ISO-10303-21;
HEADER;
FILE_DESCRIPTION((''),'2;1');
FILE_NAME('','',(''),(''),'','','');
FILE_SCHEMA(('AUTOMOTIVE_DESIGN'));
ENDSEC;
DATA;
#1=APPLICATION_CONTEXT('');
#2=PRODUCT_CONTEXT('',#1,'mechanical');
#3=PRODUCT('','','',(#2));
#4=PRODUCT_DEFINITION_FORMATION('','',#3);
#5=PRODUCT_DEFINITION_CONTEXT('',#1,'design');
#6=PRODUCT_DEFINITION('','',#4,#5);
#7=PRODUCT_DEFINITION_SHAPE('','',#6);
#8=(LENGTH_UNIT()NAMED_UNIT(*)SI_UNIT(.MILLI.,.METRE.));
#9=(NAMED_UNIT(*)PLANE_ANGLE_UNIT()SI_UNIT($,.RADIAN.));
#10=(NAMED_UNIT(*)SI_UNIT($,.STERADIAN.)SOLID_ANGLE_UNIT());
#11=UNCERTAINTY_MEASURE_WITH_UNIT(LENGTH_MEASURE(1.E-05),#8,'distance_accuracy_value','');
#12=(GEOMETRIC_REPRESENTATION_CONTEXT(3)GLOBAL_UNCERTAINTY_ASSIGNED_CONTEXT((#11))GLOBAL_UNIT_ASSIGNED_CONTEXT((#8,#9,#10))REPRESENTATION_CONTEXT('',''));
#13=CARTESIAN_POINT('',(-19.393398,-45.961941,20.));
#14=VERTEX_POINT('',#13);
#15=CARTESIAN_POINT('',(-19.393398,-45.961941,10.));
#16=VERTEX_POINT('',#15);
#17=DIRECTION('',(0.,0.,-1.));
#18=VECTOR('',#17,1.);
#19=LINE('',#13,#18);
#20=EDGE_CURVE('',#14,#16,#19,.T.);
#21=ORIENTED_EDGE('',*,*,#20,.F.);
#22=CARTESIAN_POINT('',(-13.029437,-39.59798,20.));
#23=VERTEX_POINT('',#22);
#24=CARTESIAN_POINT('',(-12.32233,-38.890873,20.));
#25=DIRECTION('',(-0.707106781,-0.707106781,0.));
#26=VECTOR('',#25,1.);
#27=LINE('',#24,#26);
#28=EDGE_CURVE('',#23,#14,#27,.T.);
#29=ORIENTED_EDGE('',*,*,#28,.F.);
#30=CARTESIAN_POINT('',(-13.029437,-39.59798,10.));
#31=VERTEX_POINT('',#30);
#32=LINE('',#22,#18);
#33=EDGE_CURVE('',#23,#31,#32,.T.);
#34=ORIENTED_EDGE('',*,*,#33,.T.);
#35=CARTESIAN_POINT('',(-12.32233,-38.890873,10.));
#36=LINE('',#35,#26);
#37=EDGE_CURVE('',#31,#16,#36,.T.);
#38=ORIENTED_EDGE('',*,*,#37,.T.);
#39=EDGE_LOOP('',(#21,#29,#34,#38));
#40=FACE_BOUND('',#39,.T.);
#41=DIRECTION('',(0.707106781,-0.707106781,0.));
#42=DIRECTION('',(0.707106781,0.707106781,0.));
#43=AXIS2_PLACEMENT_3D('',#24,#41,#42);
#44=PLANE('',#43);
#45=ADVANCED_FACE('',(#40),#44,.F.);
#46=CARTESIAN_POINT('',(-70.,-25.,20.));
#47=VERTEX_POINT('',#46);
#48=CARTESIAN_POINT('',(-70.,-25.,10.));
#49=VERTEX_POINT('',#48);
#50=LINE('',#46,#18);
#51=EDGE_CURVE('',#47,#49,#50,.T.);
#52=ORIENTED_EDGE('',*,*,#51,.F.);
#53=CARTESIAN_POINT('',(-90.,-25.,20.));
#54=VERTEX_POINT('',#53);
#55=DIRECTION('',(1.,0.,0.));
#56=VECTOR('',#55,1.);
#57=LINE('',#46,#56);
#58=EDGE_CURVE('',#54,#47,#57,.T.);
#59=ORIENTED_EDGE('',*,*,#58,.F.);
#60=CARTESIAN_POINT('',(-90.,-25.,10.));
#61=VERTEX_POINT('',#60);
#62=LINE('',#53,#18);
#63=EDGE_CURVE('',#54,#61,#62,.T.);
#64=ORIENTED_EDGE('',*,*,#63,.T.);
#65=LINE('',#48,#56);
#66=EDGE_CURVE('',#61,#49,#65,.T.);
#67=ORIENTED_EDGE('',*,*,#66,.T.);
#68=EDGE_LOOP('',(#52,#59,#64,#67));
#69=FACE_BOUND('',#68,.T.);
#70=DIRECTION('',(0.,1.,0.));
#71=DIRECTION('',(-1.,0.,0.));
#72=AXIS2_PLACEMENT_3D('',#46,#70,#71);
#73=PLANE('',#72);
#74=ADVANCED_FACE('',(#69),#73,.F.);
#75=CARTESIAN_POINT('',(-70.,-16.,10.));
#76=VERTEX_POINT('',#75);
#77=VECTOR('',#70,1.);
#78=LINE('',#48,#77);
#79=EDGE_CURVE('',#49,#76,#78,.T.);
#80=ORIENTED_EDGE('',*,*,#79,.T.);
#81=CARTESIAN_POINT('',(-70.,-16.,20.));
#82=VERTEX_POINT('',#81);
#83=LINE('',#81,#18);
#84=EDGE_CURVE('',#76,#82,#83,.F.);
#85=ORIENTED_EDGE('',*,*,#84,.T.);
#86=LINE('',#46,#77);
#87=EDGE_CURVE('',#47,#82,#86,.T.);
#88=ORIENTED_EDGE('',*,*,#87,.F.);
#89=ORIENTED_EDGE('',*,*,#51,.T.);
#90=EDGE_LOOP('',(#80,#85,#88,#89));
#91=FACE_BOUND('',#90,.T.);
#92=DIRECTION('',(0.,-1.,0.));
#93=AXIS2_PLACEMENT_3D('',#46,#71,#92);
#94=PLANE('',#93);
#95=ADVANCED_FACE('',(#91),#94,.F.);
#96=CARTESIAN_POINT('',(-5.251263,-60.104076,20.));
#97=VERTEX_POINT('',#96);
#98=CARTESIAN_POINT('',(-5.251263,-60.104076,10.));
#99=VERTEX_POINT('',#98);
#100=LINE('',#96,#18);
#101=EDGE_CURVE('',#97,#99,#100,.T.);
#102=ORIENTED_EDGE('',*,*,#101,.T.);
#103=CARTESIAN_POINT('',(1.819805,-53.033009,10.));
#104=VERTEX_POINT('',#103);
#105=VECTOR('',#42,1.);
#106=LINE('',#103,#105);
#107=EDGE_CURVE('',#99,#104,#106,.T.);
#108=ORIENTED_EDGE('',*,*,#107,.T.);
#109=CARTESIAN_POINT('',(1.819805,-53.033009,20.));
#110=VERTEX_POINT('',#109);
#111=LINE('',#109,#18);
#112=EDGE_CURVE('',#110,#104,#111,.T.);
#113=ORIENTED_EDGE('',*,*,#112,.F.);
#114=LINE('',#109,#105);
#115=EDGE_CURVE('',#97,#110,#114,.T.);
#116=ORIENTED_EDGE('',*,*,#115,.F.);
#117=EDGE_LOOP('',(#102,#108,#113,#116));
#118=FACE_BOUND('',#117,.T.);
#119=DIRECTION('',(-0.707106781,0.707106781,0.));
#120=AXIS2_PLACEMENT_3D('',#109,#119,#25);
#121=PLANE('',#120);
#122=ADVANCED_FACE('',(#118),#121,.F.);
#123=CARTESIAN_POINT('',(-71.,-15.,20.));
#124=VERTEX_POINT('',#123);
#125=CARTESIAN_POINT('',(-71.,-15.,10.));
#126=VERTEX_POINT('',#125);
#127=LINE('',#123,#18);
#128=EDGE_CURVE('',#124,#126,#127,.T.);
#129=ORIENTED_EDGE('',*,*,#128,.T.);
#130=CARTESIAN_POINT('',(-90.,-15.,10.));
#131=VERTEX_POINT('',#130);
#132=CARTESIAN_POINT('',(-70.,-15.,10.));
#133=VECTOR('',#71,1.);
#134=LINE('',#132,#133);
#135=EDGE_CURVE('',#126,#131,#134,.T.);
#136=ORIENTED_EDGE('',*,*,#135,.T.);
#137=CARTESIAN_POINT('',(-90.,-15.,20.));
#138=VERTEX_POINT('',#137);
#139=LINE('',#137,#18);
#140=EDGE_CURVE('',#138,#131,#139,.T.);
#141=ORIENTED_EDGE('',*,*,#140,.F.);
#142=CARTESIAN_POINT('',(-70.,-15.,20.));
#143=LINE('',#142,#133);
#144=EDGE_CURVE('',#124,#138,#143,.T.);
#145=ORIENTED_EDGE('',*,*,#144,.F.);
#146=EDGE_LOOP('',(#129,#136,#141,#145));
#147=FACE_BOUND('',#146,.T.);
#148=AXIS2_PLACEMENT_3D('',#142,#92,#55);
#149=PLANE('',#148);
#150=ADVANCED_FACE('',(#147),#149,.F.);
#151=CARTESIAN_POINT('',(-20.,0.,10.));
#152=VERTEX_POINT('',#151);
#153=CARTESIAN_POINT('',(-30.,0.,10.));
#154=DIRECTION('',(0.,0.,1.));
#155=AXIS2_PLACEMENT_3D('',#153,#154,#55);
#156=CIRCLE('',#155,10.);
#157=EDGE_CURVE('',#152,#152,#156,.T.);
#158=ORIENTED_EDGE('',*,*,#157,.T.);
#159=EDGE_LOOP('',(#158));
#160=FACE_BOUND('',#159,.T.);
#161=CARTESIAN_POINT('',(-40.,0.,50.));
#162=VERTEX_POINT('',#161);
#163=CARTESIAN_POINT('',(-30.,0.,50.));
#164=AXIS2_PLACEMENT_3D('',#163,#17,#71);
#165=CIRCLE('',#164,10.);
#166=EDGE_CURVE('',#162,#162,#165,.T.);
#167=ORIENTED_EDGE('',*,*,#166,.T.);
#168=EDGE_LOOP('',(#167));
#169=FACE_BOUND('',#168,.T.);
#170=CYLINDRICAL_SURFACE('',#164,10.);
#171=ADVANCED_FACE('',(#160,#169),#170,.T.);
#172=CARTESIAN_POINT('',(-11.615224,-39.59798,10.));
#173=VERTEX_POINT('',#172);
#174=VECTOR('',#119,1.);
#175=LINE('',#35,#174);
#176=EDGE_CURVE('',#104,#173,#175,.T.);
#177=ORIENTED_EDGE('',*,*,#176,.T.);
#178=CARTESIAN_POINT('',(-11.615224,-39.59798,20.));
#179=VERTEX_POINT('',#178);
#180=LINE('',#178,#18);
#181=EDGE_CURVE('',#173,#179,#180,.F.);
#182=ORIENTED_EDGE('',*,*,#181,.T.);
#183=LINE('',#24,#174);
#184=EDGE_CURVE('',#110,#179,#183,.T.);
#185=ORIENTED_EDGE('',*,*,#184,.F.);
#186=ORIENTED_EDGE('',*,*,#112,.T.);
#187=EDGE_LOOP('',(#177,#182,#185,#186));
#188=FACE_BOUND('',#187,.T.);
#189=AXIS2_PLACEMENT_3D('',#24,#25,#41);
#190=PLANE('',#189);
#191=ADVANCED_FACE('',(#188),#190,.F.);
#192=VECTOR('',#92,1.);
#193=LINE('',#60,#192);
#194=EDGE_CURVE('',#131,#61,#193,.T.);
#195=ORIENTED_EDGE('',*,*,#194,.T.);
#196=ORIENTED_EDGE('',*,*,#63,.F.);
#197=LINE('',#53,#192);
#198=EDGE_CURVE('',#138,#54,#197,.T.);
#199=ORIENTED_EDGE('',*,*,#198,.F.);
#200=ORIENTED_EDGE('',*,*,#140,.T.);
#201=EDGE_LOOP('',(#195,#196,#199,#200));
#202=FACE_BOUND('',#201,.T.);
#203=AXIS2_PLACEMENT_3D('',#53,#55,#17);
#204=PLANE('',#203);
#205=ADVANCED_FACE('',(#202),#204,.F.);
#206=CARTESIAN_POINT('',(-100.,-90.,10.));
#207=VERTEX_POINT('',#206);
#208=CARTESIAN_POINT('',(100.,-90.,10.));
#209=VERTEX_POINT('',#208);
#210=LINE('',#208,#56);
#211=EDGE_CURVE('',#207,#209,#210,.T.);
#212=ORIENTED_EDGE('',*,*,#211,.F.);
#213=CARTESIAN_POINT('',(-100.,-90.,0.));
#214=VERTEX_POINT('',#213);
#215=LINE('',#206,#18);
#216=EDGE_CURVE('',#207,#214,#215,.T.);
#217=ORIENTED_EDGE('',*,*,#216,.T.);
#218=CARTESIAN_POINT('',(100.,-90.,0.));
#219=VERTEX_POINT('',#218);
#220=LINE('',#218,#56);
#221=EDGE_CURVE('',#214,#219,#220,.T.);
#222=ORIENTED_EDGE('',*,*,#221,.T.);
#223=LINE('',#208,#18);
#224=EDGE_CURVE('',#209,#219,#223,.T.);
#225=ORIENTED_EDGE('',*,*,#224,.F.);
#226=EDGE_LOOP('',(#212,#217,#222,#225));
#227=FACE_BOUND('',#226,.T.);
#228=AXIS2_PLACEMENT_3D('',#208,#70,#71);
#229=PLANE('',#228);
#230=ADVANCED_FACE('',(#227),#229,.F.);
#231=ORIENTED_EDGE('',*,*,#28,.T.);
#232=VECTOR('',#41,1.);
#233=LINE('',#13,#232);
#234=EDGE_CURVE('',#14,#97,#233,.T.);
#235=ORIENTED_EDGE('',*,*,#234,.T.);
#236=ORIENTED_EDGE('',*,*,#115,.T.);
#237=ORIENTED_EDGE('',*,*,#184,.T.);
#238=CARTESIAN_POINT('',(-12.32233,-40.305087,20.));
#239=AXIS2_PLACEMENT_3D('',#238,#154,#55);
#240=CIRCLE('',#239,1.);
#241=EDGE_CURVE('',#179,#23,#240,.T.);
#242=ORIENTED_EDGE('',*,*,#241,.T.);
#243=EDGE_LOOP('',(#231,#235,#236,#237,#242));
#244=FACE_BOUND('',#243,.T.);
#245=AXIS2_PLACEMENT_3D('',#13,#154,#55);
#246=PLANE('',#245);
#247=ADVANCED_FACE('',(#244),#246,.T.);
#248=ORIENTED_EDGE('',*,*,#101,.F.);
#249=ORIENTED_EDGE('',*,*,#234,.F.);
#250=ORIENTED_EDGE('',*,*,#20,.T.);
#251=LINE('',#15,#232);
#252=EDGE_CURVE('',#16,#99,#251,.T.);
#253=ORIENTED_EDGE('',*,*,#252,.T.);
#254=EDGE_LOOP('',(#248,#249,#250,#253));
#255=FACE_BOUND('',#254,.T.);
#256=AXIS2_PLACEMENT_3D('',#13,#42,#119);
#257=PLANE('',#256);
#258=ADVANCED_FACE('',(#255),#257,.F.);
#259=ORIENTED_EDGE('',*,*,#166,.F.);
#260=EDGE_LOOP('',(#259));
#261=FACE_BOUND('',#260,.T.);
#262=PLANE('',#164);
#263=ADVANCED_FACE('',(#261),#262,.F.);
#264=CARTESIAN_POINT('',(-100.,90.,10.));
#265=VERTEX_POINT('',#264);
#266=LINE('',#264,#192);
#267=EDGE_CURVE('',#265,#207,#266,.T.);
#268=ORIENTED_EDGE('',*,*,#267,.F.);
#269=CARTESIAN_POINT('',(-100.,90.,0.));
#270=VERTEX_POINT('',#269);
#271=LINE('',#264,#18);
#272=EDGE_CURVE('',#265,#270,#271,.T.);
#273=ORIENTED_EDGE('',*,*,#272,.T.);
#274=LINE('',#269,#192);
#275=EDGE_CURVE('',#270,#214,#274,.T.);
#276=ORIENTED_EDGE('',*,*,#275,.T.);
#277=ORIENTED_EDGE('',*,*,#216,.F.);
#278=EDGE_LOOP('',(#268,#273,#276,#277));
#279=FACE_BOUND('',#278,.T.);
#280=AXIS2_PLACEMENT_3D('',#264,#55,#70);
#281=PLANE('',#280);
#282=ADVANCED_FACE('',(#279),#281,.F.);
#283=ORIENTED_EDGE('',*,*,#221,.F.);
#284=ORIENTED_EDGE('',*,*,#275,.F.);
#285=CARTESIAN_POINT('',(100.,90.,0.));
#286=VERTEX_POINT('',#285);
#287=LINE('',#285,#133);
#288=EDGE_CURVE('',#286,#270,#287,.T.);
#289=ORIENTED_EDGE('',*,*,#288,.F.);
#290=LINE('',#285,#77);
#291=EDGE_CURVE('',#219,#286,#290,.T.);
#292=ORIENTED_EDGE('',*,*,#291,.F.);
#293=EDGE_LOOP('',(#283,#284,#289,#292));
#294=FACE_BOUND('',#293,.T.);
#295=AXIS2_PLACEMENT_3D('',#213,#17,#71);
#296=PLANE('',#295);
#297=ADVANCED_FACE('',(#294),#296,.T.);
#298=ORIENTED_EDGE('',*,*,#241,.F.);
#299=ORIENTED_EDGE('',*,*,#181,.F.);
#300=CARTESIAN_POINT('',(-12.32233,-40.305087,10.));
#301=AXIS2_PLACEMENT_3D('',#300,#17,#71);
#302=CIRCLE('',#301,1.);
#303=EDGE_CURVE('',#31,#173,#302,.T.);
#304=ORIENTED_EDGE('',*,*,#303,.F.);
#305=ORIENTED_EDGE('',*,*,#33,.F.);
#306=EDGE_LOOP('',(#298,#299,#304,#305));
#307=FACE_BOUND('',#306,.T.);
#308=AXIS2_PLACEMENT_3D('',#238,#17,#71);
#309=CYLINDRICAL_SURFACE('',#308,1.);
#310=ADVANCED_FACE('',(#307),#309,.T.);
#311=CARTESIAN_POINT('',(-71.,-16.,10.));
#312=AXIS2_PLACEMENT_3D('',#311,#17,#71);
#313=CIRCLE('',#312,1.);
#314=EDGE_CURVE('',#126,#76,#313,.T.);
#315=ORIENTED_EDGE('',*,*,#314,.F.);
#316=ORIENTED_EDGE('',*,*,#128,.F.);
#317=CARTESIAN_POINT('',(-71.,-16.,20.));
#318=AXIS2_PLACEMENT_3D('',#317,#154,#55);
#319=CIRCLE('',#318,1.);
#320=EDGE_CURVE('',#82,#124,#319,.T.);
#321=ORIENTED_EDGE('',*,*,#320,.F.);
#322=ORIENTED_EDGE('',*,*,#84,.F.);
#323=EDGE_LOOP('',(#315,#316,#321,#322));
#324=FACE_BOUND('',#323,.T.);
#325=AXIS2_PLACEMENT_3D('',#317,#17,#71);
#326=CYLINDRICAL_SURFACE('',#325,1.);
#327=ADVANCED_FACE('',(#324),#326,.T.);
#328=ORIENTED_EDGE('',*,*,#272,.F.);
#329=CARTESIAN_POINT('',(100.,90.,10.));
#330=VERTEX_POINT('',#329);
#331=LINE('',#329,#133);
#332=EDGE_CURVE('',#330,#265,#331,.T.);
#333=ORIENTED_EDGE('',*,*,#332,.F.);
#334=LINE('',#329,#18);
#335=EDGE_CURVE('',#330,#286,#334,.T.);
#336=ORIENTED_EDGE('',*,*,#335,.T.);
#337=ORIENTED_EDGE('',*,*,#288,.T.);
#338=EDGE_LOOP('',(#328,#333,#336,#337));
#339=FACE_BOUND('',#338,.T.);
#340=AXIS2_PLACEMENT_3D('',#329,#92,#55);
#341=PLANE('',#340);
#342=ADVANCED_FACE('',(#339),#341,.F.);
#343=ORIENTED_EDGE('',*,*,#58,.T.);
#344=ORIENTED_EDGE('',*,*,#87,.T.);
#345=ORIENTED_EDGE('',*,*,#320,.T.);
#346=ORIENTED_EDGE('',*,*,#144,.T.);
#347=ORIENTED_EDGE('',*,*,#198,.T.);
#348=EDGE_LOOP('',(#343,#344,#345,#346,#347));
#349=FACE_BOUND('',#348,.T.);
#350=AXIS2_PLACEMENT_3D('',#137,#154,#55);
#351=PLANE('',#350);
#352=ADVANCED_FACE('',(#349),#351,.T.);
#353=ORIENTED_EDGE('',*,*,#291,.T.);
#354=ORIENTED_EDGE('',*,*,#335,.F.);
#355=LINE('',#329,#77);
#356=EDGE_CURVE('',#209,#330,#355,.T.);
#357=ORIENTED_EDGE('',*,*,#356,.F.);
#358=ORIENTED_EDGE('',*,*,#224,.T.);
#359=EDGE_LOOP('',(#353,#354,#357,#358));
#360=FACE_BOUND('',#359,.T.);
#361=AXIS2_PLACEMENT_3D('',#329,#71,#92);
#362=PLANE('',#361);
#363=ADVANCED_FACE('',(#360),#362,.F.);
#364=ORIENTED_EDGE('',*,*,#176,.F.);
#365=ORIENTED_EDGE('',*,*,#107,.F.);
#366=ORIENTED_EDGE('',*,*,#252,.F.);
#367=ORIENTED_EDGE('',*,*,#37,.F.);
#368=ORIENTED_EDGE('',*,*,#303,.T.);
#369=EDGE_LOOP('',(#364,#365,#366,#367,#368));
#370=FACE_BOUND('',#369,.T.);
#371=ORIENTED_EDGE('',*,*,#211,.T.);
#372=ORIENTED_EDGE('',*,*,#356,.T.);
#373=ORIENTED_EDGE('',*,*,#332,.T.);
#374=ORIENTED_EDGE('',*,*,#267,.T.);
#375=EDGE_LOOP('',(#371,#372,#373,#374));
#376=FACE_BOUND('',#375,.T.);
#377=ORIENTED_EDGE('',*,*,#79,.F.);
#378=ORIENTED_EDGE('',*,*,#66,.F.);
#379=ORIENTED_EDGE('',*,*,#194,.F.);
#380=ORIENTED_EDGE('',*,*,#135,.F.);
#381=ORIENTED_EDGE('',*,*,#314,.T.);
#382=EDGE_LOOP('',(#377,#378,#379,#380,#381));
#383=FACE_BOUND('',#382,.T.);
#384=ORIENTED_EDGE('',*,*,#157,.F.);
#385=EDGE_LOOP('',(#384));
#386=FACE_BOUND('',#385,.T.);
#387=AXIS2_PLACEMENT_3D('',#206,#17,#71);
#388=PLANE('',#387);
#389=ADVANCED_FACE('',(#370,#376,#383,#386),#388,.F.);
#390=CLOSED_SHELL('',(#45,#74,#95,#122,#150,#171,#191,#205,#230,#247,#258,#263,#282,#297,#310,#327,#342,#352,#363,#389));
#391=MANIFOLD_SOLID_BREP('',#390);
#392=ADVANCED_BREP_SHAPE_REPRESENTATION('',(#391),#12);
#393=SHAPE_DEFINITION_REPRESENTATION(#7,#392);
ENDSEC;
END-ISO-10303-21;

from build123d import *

# Parameters (mm, degrees)
ESQUISSE1_W        = 200
ESQUISSE1_H        = 180
ESQUISSE1_R        = 10
BOSS_EXTRU_1_DEPTH = 10
ESQUISSE3_R        = 10
BOSS_EXTRU_2_DEPTH = 50
ESQUISSE4_W        = 20
ESQUISSE4_H        = 10
BOSS_EXTRU_3_DEPTH = 10
CONG_1_R           = 1


with BuildPart() as part:
    # Esquisse1 → Boss.-Extru.1 (new body)
    with BuildSketch(Plane.XY):
        Rectangle(ESQUISSE1_W, ESQUISSE1_H)
        with Locations((-30, 0)):
            Circle(ESQUISSE1_R, mode=Mode.SUBTRACT)
    extrude(amount=BOSS_EXTRU_1_DEPTH)

    # Esquisse3 → Boss.-Extru.2 (add)
    with BuildSketch(Plane(origin=(0, 0, 0), x_dir=(-1, 0, 0), z_dir=(0, 0, -1))):
        with Locations((30, 0)):
            Circle(ESQUISSE3_R)
    extrude(amount=-BOSS_EXTRU_2_DEPTH)

    # Esquisse4 → Boss.-Extru.3 (add)
    with BuildSketch(Plane.XY.offset(10)):
        with Locations((-80, -20)):
            Rectangle(ESQUISSE4_W, ESQUISSE4_H)
        Polygon((-12.32233047, -38.890872965), (1.819805153, -53.033008589), (-5.251262658, -60.104076401), (-19.393398282, -45.961940777), align=None)
    extrude(amount=BOSS_EXTRU_3_DEPTH)

    # Congé1
    cong_1_edges = [part.edges().sort_by_distance(p)[0] for p in [
        (-70, -15, 15),
        (-12.32233047, -38.890872965, 15),
    ]]
    fillet(cong_1_edges, radius=CONG_1_R)


solid = part.part
